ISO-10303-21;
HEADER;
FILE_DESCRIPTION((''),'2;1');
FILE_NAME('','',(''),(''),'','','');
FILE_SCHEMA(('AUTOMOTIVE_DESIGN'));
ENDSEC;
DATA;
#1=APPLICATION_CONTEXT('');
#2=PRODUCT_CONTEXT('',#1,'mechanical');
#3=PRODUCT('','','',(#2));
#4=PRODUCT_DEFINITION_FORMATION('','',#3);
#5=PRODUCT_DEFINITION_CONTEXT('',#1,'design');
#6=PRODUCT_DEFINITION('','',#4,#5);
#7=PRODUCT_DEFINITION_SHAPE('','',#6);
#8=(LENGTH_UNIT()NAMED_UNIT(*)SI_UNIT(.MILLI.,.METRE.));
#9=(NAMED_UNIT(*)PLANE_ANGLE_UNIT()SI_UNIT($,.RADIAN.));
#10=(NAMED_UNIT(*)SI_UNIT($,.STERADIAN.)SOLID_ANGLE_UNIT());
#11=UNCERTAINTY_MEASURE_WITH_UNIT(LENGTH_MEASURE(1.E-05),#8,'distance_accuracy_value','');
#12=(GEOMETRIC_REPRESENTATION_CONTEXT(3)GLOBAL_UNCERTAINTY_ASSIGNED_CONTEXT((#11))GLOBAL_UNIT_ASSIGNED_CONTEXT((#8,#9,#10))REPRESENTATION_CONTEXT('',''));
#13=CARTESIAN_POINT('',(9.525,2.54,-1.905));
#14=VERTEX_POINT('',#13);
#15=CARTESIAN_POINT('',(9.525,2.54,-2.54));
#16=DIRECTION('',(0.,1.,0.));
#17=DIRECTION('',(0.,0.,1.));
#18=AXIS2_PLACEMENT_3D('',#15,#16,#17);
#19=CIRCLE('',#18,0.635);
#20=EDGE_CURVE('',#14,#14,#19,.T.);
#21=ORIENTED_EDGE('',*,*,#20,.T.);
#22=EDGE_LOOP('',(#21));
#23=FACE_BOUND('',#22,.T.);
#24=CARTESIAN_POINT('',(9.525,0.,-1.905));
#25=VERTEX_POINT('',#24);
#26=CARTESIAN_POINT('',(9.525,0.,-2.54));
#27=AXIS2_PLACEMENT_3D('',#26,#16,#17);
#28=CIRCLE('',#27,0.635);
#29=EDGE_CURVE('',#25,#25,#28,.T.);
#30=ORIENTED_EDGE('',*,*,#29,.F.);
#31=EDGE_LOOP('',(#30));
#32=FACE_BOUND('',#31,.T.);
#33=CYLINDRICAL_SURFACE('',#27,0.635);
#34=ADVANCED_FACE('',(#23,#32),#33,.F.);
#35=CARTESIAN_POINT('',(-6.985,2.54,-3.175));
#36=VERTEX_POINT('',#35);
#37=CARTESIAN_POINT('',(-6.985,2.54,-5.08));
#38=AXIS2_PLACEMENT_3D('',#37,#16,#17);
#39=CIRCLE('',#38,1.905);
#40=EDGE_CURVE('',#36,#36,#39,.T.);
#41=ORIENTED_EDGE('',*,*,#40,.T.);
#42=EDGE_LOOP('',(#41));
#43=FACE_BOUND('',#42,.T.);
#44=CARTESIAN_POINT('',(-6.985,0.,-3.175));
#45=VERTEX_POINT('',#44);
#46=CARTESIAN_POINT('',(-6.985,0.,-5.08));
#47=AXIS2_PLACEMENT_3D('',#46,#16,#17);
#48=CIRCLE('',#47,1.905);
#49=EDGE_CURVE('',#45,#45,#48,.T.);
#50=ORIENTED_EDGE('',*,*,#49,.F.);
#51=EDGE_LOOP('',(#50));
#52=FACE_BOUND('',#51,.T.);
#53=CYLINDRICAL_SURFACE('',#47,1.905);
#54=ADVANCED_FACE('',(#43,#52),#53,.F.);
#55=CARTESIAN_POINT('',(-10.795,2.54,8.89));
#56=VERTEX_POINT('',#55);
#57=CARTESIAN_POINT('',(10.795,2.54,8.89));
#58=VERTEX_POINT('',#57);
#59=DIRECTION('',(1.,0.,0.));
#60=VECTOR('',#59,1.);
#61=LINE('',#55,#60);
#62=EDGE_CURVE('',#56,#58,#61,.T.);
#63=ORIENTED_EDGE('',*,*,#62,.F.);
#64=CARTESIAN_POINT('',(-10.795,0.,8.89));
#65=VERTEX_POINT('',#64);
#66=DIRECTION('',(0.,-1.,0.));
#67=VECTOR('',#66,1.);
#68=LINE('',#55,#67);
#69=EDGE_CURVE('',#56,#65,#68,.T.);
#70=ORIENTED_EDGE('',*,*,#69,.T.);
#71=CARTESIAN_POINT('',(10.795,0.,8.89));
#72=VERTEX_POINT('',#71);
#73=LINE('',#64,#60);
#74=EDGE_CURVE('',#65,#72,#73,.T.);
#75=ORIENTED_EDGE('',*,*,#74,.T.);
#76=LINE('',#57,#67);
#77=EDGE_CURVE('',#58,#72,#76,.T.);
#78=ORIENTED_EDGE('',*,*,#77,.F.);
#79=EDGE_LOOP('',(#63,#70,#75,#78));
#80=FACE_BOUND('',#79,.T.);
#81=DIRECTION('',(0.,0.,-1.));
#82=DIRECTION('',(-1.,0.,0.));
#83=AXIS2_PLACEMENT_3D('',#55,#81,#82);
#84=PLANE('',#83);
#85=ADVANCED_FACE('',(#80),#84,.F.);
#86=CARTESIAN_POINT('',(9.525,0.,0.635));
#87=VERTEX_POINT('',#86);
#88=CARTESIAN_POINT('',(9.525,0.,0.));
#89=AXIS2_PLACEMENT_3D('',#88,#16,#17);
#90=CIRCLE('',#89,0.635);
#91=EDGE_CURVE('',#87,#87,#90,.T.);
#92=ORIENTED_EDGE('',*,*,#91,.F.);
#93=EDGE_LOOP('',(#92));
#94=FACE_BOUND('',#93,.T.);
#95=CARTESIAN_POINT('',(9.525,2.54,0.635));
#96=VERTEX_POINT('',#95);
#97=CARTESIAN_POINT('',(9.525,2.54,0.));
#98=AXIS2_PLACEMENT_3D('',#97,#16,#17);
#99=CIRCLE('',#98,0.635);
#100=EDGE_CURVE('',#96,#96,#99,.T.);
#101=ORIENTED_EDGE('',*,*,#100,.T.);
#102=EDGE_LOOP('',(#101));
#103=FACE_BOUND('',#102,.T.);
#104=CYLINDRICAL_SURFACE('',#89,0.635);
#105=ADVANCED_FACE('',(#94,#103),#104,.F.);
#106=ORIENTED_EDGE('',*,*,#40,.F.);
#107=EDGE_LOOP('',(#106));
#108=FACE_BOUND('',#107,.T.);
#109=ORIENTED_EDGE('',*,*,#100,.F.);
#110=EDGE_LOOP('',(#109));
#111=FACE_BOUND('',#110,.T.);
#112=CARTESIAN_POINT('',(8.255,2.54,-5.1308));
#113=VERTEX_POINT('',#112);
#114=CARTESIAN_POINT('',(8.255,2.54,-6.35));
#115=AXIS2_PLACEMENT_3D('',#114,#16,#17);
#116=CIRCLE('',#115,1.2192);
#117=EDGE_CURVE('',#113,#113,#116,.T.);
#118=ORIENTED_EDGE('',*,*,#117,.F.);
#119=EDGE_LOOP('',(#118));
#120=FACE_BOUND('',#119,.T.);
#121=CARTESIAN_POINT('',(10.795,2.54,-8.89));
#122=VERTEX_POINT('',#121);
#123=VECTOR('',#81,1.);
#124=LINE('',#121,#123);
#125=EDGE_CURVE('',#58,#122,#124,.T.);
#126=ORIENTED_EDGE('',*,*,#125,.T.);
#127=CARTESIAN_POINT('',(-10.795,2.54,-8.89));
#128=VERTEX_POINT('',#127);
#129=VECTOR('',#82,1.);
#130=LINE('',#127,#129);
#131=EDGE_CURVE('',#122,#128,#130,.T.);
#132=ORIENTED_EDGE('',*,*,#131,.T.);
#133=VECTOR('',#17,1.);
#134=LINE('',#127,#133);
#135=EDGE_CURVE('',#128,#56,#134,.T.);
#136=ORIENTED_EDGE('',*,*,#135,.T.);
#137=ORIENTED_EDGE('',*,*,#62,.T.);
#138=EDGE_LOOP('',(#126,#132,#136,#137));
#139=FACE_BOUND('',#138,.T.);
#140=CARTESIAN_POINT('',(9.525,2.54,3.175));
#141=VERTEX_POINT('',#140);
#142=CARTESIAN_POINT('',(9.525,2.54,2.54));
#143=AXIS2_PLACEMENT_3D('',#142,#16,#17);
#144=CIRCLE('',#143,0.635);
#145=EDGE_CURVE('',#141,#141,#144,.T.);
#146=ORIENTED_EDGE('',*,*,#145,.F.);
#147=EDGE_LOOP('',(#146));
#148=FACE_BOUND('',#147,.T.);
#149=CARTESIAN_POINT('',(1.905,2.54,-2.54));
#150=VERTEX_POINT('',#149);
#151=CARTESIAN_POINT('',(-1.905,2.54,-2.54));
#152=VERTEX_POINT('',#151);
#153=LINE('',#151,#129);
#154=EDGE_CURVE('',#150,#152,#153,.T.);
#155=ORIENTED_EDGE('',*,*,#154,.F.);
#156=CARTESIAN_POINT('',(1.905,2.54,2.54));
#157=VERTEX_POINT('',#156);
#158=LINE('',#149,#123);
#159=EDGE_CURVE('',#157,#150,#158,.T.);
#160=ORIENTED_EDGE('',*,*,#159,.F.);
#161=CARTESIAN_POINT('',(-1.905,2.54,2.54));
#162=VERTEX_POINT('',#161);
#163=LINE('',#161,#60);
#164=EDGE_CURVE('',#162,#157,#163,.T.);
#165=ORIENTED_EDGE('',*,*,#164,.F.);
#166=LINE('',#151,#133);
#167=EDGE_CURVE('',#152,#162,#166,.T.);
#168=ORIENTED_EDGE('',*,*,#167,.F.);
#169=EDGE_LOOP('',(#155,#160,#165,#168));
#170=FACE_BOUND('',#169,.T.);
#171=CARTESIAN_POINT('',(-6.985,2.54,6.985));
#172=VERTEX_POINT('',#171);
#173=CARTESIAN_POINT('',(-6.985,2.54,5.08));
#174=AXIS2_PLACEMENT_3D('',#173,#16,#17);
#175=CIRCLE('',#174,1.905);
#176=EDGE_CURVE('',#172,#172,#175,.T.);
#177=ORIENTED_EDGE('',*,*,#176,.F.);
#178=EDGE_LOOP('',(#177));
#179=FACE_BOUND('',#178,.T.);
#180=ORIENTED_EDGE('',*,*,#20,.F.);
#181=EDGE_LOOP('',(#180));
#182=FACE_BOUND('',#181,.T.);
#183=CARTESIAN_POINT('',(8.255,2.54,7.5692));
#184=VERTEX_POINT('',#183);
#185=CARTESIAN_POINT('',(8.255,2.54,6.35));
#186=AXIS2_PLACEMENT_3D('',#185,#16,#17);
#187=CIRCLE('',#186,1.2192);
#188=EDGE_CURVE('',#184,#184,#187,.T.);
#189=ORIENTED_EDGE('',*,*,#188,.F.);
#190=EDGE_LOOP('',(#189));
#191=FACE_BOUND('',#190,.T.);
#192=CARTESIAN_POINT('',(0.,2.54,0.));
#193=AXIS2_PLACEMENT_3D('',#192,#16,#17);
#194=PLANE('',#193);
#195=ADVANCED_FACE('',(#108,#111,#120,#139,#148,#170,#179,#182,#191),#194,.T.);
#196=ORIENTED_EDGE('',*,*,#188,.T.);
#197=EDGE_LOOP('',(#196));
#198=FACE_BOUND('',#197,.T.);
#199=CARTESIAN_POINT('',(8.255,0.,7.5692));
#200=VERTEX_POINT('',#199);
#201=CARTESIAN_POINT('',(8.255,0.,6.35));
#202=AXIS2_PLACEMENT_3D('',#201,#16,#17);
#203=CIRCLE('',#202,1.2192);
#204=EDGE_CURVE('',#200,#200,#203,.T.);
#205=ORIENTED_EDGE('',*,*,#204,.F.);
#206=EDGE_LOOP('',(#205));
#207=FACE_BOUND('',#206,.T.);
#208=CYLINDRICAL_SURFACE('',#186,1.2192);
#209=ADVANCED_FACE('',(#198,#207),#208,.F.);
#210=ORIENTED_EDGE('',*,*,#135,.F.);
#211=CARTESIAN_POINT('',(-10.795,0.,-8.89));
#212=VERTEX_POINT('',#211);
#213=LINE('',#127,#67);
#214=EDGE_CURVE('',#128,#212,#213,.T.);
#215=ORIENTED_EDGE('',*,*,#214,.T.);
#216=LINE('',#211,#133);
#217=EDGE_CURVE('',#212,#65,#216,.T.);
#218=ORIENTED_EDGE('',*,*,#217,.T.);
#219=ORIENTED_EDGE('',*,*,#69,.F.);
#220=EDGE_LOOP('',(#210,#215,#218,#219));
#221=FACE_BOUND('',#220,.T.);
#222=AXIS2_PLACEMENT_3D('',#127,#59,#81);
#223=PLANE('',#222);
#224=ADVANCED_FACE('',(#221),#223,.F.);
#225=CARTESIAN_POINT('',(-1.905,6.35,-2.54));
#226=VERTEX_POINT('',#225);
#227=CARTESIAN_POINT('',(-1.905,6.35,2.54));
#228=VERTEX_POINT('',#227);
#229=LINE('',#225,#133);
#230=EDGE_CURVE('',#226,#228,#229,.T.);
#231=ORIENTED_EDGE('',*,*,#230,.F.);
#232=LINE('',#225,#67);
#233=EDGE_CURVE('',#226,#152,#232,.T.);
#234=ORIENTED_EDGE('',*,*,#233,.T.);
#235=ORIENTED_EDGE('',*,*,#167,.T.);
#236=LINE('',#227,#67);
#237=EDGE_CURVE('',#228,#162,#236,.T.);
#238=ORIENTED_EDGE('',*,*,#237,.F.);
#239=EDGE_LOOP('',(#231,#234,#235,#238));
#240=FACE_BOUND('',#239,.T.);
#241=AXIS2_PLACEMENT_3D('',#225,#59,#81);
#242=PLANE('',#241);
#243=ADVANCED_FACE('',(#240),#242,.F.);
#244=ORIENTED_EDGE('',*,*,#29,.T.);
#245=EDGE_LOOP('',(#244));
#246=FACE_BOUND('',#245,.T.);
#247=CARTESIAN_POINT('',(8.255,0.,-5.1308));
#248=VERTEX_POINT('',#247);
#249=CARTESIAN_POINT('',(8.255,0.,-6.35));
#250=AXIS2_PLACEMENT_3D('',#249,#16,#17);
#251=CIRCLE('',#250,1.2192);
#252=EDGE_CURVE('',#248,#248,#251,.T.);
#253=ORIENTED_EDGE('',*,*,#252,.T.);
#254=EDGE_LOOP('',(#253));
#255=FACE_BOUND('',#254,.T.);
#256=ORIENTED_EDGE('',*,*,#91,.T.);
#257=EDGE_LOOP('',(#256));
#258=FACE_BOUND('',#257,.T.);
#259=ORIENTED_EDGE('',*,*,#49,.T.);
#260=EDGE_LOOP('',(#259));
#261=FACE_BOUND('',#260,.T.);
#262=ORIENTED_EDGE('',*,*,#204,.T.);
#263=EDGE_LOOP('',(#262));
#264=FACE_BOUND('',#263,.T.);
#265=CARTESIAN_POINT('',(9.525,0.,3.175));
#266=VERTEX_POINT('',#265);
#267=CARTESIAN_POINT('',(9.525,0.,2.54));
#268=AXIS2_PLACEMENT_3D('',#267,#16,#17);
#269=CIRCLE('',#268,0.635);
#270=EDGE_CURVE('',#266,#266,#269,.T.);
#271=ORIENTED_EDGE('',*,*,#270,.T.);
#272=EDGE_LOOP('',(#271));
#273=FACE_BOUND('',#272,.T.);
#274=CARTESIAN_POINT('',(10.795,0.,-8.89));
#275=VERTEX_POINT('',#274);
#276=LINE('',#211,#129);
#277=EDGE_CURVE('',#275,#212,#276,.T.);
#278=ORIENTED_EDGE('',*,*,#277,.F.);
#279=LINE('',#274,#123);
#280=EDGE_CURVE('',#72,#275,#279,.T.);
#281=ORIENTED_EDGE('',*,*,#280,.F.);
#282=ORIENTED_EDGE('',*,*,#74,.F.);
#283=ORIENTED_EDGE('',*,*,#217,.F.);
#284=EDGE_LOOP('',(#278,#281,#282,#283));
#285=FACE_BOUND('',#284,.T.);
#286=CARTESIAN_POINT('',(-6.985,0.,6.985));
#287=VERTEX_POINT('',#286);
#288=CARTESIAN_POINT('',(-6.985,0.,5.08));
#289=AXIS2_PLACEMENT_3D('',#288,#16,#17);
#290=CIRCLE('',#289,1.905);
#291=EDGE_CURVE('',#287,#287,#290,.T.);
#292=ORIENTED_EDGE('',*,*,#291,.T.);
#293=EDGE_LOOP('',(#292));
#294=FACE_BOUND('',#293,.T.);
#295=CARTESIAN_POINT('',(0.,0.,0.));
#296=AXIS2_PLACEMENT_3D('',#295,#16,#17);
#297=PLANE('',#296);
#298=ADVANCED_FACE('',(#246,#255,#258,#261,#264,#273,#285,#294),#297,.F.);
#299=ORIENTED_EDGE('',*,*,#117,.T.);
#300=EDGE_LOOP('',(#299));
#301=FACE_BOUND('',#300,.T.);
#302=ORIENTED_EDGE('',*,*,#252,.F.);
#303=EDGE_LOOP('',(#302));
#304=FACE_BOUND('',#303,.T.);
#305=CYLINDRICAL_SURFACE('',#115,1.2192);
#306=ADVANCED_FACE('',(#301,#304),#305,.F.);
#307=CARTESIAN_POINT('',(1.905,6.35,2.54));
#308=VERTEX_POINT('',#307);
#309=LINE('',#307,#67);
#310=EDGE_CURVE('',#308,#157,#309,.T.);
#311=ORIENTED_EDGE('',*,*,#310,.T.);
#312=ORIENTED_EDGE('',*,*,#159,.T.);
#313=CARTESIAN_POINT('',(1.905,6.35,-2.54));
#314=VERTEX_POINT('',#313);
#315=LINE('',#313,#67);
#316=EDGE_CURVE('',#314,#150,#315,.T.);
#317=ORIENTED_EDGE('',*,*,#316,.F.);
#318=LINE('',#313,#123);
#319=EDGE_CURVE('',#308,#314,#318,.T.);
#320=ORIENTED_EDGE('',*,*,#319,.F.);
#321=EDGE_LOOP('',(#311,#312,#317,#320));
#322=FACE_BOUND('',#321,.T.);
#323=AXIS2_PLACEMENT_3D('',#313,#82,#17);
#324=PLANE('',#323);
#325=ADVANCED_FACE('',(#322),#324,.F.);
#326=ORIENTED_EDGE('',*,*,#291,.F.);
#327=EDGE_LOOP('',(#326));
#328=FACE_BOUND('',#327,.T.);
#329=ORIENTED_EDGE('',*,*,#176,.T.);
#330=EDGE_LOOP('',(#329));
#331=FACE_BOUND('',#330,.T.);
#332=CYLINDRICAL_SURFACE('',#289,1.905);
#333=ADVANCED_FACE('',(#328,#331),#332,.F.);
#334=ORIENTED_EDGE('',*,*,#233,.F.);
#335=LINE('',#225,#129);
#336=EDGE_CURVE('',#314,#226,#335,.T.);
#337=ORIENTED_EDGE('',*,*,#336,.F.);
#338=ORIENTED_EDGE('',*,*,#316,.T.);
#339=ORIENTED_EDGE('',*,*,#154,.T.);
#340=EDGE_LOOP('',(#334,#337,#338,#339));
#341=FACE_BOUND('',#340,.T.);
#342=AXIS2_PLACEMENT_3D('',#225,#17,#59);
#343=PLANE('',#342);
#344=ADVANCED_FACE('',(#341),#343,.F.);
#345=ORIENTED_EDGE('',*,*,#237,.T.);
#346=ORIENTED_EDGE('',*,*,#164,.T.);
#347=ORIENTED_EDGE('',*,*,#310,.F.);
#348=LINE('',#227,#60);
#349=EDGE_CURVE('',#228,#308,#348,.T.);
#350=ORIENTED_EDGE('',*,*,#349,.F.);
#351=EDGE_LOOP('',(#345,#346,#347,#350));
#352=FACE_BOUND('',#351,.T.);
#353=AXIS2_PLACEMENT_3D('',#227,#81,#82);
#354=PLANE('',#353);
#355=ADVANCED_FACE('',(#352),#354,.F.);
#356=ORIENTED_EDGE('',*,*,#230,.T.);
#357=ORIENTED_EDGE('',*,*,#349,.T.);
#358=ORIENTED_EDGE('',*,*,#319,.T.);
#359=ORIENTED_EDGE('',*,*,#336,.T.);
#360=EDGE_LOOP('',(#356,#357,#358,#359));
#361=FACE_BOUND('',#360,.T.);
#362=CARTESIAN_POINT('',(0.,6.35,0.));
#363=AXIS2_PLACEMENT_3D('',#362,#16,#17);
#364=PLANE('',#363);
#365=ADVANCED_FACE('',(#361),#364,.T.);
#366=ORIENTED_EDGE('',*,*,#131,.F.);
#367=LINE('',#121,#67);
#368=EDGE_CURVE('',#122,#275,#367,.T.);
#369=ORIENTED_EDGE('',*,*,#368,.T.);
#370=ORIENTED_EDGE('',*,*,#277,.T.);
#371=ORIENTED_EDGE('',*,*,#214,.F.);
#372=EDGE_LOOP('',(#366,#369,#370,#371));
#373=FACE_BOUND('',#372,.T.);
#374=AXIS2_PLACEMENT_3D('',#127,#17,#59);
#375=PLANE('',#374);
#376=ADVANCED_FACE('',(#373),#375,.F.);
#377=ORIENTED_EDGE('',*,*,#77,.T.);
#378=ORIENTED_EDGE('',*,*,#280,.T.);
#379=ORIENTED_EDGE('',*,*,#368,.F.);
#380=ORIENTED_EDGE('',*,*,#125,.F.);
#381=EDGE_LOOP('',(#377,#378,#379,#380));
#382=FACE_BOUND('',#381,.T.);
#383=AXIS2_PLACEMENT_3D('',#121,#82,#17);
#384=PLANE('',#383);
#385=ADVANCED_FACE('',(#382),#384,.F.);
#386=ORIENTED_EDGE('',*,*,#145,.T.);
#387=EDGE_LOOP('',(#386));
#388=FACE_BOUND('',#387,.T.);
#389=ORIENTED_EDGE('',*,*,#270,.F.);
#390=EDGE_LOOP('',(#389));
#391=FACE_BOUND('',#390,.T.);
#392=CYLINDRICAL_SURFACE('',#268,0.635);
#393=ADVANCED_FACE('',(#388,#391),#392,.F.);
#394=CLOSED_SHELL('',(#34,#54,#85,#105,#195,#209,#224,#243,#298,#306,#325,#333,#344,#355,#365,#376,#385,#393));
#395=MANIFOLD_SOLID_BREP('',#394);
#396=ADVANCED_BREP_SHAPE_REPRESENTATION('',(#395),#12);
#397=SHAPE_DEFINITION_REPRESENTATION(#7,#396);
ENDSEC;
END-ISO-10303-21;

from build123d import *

# Parameters (mm, degrees)
SKETCH1_W                 = 21.59
SKETCH1_H                 = 17.78
BOSS_EXTRUDE1_DEPTH       = 2.54
SKETCH2_R                 = 1.905
SKETCH2_R_2               = 0.635
CUT_EXTRUDE1_DEPTH        = 15.213223596
SKETCH3_W                 = 3.81
SKETCH3_H                 = 5.08
BOSS_EXTRUDE2_DEPTH       = 3.81
F_2_CLEARANCE_HOLE1_D     = 2.4384
F_2_CLEARANCE_HOLE1_DEPTH = 6.35
F_2_CLEARANCE_HOLE1_TIP   = 0.732569267


with BuildPart() as part:
    # Sketch1 → Boss-Extrude1 (new body)
    with BuildSketch(Plane(origin=(0, 0, 0), x_dir=(1, 0, 0), z_dir=(0, 1, 0))):
        Rectangle(SKETCH1_W, SKETCH1_H)
    extrude(amount=BOSS_EXTRUDE1_DEPTH)

    # Sketch2 → Cut-Extrude1 (cut, through all)
    with BuildSketch(Plane(origin=(0, 2.54, 0), x_dir=(1, 0, 0), z_dir=(0, 1, 0))):
        with Locations(Location((-6.985, 5.08, 0), (0, 0, 270))):
            Circle(SKETCH2_R)
        with Locations(Location((-6.985, -5.08, 0), (0, 0, 270))):
            Circle(SKETCH2_R)
        with Locations(Location((9.525, 2.54, 0), (0, 0, 270))):
            Circle(SKETCH2_R_2)
        with Locations(Location((9.525, 0, 0), (0, 0, 270))):
            Circle(SKETCH2_R_2)
        with Locations(Location((9.525, -2.54, 0), (0, 0, 270))):
            Circle(SKETCH2_R_2)
    extrude(amount=-CUT_EXTRUDE1_DEPTH, mode=Mode.SUBTRACT)

    # Sketch3 → Boss-Extrude2 (add)
    with BuildSketch(Plane(origin=(0, 2.54, 0), x_dir=(1, 0, 0), z_dir=(0, 1, 0))):
        Rectangle(SKETCH3_W, SKETCH3_H)
    extrude(amount=BOSS_EXTRUDE2_DEPTH)

    # #2 Clearance Hole1
    with Locations(Plane(origin=(0, 2.54, 0), x_dir=(1, 0, 0), z_dir=(0, 1, 0))):
        with Locations((8.255, 6.35), (8.255, -6.35)):
            Hole(F_2_CLEARANCE_HOLE1_D / 2, depth=F_2_CLEARANCE_HOLE1_DEPTH)
            with Locations((0, 0, -(F_2_CLEARANCE_HOLE1_DEPTH + F_2_CLEARANCE_HOLE1_TIP / 2))):  # 118° drill point
                Cone(0, F_2_CLEARANCE_HOLE1_D / 2, F_2_CLEARANCE_HOLE1_TIP, mode=Mode.SUBTRACT)


solid = part.part
